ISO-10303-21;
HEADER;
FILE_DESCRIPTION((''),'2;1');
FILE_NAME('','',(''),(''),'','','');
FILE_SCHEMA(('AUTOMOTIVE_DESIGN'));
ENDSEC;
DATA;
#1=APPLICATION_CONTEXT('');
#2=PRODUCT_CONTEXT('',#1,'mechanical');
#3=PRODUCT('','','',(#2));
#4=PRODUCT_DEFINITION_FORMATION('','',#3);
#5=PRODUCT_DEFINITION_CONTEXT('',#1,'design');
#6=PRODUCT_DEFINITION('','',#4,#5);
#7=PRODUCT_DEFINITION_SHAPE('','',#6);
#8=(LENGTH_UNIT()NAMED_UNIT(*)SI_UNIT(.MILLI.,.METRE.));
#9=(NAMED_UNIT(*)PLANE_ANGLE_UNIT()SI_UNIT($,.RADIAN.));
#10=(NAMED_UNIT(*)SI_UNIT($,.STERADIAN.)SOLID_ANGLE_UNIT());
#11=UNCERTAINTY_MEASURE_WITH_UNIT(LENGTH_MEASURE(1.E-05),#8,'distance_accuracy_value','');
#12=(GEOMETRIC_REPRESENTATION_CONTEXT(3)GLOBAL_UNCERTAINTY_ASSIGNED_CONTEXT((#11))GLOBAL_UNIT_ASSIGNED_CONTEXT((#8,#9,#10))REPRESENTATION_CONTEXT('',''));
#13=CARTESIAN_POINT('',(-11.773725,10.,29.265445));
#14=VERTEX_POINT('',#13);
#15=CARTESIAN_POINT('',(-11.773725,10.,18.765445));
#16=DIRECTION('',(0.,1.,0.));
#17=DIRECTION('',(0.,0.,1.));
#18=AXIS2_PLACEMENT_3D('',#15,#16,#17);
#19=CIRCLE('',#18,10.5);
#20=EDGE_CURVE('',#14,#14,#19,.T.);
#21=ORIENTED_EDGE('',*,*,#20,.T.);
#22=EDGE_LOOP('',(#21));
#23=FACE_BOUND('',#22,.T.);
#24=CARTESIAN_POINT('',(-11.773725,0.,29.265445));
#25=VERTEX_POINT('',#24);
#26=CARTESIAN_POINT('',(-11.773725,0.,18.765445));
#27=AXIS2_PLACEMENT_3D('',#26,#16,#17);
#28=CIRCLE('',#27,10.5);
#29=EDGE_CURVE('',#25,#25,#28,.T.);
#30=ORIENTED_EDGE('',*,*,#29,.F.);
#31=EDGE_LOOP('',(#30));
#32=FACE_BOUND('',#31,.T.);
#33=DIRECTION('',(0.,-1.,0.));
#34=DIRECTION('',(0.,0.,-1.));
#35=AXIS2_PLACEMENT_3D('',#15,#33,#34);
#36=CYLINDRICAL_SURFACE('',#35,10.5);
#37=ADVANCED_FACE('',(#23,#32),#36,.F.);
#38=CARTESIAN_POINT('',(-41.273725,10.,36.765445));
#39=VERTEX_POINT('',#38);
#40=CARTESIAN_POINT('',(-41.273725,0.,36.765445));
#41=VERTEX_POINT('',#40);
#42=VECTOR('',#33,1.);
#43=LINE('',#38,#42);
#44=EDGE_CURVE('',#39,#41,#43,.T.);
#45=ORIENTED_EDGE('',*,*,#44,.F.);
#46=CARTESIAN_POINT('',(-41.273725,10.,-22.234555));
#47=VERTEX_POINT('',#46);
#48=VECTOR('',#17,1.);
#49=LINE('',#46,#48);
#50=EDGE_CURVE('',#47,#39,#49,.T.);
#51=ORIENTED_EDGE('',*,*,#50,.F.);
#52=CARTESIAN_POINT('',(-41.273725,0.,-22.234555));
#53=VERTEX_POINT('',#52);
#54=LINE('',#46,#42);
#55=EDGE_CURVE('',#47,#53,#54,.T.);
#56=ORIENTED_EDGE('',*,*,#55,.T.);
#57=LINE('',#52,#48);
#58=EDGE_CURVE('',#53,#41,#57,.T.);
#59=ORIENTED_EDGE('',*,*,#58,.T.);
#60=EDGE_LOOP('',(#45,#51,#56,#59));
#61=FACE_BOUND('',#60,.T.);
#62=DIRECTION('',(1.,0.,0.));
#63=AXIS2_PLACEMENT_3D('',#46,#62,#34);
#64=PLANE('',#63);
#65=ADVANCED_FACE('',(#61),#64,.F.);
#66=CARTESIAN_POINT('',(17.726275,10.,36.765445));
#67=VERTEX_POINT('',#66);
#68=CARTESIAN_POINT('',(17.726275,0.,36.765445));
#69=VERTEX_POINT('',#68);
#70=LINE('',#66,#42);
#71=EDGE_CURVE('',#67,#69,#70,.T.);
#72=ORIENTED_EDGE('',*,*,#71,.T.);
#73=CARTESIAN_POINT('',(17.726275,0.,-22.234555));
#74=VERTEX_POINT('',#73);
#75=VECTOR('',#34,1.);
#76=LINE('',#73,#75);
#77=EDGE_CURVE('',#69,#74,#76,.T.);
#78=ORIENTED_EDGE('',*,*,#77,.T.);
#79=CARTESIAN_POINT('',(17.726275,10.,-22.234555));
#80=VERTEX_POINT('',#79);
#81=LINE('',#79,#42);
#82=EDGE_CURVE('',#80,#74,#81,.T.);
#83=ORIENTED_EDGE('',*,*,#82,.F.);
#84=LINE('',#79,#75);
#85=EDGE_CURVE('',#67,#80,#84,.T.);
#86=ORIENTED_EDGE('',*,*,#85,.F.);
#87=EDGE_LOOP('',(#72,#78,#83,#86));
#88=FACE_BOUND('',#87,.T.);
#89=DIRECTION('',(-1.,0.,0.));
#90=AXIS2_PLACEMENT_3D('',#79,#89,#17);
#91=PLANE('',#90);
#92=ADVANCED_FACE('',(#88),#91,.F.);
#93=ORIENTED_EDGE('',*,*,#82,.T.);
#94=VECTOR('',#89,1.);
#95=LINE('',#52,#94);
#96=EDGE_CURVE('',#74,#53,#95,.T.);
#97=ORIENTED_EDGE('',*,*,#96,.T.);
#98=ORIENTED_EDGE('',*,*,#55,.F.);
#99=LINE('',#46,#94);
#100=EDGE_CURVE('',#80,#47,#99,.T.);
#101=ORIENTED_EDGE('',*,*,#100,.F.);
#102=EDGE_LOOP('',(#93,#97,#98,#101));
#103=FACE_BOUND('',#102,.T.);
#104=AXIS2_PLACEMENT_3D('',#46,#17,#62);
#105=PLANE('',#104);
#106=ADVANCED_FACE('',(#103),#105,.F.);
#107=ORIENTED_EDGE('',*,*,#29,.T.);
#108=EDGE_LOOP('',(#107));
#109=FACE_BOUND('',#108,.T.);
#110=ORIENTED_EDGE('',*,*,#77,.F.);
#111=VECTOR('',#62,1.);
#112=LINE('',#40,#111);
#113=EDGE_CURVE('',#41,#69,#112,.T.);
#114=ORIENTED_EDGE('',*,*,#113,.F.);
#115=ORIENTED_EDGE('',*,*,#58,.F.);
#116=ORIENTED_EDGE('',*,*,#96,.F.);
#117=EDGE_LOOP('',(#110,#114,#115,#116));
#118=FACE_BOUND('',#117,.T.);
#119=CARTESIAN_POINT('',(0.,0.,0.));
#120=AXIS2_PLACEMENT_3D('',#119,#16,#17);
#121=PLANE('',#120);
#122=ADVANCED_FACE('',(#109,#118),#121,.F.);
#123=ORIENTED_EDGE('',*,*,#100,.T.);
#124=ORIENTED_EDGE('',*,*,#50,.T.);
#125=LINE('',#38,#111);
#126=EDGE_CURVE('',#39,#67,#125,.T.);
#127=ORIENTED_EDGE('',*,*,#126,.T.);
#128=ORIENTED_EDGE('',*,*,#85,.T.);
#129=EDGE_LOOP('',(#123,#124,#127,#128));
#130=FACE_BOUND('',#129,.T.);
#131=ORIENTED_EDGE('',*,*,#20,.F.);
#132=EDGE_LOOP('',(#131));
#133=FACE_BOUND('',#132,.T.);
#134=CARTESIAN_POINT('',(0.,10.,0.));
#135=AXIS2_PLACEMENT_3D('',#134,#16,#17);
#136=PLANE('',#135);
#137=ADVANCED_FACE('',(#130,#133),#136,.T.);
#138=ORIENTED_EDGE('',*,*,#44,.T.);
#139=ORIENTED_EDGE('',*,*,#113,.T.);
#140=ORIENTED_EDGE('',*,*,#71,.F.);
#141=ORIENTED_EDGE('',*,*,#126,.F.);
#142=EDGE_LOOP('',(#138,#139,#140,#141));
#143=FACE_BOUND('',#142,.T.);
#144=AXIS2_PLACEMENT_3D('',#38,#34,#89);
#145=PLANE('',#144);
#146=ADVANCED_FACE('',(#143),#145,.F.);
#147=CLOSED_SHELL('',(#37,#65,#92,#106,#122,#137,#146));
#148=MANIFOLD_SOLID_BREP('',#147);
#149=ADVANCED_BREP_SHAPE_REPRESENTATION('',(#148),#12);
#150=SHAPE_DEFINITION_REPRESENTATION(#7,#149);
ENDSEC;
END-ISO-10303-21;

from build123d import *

# Parameters (mm, degrees)
ESQUISSE1_W        = 59
ESQUISSE1_H        = 59
ESQUISSE1_R        = 10.5
BOSS_EXTRU_2_DEPTH = 10


with BuildPart() as part:
    # Esquisse1 → Boss.-Extru.2 (new body)
    with BuildSketch(Plane(origin=(0, 0, 0), x_dir=(1, 0, 0), z_dir=(0, 1, 0))):
        with Locations((-11.773725289, -7.265444764)):
            Rectangle(ESQUISSE1_W, ESQUISSE1_H)
        with Locations((-11.773725289, -18.765444764)):
            Circle(ESQUISSE1_R, mode=Mode.SUBTRACT)
    extrude(amount=BOSS_EXTRU_2_DEPTH)


solid = part.part
